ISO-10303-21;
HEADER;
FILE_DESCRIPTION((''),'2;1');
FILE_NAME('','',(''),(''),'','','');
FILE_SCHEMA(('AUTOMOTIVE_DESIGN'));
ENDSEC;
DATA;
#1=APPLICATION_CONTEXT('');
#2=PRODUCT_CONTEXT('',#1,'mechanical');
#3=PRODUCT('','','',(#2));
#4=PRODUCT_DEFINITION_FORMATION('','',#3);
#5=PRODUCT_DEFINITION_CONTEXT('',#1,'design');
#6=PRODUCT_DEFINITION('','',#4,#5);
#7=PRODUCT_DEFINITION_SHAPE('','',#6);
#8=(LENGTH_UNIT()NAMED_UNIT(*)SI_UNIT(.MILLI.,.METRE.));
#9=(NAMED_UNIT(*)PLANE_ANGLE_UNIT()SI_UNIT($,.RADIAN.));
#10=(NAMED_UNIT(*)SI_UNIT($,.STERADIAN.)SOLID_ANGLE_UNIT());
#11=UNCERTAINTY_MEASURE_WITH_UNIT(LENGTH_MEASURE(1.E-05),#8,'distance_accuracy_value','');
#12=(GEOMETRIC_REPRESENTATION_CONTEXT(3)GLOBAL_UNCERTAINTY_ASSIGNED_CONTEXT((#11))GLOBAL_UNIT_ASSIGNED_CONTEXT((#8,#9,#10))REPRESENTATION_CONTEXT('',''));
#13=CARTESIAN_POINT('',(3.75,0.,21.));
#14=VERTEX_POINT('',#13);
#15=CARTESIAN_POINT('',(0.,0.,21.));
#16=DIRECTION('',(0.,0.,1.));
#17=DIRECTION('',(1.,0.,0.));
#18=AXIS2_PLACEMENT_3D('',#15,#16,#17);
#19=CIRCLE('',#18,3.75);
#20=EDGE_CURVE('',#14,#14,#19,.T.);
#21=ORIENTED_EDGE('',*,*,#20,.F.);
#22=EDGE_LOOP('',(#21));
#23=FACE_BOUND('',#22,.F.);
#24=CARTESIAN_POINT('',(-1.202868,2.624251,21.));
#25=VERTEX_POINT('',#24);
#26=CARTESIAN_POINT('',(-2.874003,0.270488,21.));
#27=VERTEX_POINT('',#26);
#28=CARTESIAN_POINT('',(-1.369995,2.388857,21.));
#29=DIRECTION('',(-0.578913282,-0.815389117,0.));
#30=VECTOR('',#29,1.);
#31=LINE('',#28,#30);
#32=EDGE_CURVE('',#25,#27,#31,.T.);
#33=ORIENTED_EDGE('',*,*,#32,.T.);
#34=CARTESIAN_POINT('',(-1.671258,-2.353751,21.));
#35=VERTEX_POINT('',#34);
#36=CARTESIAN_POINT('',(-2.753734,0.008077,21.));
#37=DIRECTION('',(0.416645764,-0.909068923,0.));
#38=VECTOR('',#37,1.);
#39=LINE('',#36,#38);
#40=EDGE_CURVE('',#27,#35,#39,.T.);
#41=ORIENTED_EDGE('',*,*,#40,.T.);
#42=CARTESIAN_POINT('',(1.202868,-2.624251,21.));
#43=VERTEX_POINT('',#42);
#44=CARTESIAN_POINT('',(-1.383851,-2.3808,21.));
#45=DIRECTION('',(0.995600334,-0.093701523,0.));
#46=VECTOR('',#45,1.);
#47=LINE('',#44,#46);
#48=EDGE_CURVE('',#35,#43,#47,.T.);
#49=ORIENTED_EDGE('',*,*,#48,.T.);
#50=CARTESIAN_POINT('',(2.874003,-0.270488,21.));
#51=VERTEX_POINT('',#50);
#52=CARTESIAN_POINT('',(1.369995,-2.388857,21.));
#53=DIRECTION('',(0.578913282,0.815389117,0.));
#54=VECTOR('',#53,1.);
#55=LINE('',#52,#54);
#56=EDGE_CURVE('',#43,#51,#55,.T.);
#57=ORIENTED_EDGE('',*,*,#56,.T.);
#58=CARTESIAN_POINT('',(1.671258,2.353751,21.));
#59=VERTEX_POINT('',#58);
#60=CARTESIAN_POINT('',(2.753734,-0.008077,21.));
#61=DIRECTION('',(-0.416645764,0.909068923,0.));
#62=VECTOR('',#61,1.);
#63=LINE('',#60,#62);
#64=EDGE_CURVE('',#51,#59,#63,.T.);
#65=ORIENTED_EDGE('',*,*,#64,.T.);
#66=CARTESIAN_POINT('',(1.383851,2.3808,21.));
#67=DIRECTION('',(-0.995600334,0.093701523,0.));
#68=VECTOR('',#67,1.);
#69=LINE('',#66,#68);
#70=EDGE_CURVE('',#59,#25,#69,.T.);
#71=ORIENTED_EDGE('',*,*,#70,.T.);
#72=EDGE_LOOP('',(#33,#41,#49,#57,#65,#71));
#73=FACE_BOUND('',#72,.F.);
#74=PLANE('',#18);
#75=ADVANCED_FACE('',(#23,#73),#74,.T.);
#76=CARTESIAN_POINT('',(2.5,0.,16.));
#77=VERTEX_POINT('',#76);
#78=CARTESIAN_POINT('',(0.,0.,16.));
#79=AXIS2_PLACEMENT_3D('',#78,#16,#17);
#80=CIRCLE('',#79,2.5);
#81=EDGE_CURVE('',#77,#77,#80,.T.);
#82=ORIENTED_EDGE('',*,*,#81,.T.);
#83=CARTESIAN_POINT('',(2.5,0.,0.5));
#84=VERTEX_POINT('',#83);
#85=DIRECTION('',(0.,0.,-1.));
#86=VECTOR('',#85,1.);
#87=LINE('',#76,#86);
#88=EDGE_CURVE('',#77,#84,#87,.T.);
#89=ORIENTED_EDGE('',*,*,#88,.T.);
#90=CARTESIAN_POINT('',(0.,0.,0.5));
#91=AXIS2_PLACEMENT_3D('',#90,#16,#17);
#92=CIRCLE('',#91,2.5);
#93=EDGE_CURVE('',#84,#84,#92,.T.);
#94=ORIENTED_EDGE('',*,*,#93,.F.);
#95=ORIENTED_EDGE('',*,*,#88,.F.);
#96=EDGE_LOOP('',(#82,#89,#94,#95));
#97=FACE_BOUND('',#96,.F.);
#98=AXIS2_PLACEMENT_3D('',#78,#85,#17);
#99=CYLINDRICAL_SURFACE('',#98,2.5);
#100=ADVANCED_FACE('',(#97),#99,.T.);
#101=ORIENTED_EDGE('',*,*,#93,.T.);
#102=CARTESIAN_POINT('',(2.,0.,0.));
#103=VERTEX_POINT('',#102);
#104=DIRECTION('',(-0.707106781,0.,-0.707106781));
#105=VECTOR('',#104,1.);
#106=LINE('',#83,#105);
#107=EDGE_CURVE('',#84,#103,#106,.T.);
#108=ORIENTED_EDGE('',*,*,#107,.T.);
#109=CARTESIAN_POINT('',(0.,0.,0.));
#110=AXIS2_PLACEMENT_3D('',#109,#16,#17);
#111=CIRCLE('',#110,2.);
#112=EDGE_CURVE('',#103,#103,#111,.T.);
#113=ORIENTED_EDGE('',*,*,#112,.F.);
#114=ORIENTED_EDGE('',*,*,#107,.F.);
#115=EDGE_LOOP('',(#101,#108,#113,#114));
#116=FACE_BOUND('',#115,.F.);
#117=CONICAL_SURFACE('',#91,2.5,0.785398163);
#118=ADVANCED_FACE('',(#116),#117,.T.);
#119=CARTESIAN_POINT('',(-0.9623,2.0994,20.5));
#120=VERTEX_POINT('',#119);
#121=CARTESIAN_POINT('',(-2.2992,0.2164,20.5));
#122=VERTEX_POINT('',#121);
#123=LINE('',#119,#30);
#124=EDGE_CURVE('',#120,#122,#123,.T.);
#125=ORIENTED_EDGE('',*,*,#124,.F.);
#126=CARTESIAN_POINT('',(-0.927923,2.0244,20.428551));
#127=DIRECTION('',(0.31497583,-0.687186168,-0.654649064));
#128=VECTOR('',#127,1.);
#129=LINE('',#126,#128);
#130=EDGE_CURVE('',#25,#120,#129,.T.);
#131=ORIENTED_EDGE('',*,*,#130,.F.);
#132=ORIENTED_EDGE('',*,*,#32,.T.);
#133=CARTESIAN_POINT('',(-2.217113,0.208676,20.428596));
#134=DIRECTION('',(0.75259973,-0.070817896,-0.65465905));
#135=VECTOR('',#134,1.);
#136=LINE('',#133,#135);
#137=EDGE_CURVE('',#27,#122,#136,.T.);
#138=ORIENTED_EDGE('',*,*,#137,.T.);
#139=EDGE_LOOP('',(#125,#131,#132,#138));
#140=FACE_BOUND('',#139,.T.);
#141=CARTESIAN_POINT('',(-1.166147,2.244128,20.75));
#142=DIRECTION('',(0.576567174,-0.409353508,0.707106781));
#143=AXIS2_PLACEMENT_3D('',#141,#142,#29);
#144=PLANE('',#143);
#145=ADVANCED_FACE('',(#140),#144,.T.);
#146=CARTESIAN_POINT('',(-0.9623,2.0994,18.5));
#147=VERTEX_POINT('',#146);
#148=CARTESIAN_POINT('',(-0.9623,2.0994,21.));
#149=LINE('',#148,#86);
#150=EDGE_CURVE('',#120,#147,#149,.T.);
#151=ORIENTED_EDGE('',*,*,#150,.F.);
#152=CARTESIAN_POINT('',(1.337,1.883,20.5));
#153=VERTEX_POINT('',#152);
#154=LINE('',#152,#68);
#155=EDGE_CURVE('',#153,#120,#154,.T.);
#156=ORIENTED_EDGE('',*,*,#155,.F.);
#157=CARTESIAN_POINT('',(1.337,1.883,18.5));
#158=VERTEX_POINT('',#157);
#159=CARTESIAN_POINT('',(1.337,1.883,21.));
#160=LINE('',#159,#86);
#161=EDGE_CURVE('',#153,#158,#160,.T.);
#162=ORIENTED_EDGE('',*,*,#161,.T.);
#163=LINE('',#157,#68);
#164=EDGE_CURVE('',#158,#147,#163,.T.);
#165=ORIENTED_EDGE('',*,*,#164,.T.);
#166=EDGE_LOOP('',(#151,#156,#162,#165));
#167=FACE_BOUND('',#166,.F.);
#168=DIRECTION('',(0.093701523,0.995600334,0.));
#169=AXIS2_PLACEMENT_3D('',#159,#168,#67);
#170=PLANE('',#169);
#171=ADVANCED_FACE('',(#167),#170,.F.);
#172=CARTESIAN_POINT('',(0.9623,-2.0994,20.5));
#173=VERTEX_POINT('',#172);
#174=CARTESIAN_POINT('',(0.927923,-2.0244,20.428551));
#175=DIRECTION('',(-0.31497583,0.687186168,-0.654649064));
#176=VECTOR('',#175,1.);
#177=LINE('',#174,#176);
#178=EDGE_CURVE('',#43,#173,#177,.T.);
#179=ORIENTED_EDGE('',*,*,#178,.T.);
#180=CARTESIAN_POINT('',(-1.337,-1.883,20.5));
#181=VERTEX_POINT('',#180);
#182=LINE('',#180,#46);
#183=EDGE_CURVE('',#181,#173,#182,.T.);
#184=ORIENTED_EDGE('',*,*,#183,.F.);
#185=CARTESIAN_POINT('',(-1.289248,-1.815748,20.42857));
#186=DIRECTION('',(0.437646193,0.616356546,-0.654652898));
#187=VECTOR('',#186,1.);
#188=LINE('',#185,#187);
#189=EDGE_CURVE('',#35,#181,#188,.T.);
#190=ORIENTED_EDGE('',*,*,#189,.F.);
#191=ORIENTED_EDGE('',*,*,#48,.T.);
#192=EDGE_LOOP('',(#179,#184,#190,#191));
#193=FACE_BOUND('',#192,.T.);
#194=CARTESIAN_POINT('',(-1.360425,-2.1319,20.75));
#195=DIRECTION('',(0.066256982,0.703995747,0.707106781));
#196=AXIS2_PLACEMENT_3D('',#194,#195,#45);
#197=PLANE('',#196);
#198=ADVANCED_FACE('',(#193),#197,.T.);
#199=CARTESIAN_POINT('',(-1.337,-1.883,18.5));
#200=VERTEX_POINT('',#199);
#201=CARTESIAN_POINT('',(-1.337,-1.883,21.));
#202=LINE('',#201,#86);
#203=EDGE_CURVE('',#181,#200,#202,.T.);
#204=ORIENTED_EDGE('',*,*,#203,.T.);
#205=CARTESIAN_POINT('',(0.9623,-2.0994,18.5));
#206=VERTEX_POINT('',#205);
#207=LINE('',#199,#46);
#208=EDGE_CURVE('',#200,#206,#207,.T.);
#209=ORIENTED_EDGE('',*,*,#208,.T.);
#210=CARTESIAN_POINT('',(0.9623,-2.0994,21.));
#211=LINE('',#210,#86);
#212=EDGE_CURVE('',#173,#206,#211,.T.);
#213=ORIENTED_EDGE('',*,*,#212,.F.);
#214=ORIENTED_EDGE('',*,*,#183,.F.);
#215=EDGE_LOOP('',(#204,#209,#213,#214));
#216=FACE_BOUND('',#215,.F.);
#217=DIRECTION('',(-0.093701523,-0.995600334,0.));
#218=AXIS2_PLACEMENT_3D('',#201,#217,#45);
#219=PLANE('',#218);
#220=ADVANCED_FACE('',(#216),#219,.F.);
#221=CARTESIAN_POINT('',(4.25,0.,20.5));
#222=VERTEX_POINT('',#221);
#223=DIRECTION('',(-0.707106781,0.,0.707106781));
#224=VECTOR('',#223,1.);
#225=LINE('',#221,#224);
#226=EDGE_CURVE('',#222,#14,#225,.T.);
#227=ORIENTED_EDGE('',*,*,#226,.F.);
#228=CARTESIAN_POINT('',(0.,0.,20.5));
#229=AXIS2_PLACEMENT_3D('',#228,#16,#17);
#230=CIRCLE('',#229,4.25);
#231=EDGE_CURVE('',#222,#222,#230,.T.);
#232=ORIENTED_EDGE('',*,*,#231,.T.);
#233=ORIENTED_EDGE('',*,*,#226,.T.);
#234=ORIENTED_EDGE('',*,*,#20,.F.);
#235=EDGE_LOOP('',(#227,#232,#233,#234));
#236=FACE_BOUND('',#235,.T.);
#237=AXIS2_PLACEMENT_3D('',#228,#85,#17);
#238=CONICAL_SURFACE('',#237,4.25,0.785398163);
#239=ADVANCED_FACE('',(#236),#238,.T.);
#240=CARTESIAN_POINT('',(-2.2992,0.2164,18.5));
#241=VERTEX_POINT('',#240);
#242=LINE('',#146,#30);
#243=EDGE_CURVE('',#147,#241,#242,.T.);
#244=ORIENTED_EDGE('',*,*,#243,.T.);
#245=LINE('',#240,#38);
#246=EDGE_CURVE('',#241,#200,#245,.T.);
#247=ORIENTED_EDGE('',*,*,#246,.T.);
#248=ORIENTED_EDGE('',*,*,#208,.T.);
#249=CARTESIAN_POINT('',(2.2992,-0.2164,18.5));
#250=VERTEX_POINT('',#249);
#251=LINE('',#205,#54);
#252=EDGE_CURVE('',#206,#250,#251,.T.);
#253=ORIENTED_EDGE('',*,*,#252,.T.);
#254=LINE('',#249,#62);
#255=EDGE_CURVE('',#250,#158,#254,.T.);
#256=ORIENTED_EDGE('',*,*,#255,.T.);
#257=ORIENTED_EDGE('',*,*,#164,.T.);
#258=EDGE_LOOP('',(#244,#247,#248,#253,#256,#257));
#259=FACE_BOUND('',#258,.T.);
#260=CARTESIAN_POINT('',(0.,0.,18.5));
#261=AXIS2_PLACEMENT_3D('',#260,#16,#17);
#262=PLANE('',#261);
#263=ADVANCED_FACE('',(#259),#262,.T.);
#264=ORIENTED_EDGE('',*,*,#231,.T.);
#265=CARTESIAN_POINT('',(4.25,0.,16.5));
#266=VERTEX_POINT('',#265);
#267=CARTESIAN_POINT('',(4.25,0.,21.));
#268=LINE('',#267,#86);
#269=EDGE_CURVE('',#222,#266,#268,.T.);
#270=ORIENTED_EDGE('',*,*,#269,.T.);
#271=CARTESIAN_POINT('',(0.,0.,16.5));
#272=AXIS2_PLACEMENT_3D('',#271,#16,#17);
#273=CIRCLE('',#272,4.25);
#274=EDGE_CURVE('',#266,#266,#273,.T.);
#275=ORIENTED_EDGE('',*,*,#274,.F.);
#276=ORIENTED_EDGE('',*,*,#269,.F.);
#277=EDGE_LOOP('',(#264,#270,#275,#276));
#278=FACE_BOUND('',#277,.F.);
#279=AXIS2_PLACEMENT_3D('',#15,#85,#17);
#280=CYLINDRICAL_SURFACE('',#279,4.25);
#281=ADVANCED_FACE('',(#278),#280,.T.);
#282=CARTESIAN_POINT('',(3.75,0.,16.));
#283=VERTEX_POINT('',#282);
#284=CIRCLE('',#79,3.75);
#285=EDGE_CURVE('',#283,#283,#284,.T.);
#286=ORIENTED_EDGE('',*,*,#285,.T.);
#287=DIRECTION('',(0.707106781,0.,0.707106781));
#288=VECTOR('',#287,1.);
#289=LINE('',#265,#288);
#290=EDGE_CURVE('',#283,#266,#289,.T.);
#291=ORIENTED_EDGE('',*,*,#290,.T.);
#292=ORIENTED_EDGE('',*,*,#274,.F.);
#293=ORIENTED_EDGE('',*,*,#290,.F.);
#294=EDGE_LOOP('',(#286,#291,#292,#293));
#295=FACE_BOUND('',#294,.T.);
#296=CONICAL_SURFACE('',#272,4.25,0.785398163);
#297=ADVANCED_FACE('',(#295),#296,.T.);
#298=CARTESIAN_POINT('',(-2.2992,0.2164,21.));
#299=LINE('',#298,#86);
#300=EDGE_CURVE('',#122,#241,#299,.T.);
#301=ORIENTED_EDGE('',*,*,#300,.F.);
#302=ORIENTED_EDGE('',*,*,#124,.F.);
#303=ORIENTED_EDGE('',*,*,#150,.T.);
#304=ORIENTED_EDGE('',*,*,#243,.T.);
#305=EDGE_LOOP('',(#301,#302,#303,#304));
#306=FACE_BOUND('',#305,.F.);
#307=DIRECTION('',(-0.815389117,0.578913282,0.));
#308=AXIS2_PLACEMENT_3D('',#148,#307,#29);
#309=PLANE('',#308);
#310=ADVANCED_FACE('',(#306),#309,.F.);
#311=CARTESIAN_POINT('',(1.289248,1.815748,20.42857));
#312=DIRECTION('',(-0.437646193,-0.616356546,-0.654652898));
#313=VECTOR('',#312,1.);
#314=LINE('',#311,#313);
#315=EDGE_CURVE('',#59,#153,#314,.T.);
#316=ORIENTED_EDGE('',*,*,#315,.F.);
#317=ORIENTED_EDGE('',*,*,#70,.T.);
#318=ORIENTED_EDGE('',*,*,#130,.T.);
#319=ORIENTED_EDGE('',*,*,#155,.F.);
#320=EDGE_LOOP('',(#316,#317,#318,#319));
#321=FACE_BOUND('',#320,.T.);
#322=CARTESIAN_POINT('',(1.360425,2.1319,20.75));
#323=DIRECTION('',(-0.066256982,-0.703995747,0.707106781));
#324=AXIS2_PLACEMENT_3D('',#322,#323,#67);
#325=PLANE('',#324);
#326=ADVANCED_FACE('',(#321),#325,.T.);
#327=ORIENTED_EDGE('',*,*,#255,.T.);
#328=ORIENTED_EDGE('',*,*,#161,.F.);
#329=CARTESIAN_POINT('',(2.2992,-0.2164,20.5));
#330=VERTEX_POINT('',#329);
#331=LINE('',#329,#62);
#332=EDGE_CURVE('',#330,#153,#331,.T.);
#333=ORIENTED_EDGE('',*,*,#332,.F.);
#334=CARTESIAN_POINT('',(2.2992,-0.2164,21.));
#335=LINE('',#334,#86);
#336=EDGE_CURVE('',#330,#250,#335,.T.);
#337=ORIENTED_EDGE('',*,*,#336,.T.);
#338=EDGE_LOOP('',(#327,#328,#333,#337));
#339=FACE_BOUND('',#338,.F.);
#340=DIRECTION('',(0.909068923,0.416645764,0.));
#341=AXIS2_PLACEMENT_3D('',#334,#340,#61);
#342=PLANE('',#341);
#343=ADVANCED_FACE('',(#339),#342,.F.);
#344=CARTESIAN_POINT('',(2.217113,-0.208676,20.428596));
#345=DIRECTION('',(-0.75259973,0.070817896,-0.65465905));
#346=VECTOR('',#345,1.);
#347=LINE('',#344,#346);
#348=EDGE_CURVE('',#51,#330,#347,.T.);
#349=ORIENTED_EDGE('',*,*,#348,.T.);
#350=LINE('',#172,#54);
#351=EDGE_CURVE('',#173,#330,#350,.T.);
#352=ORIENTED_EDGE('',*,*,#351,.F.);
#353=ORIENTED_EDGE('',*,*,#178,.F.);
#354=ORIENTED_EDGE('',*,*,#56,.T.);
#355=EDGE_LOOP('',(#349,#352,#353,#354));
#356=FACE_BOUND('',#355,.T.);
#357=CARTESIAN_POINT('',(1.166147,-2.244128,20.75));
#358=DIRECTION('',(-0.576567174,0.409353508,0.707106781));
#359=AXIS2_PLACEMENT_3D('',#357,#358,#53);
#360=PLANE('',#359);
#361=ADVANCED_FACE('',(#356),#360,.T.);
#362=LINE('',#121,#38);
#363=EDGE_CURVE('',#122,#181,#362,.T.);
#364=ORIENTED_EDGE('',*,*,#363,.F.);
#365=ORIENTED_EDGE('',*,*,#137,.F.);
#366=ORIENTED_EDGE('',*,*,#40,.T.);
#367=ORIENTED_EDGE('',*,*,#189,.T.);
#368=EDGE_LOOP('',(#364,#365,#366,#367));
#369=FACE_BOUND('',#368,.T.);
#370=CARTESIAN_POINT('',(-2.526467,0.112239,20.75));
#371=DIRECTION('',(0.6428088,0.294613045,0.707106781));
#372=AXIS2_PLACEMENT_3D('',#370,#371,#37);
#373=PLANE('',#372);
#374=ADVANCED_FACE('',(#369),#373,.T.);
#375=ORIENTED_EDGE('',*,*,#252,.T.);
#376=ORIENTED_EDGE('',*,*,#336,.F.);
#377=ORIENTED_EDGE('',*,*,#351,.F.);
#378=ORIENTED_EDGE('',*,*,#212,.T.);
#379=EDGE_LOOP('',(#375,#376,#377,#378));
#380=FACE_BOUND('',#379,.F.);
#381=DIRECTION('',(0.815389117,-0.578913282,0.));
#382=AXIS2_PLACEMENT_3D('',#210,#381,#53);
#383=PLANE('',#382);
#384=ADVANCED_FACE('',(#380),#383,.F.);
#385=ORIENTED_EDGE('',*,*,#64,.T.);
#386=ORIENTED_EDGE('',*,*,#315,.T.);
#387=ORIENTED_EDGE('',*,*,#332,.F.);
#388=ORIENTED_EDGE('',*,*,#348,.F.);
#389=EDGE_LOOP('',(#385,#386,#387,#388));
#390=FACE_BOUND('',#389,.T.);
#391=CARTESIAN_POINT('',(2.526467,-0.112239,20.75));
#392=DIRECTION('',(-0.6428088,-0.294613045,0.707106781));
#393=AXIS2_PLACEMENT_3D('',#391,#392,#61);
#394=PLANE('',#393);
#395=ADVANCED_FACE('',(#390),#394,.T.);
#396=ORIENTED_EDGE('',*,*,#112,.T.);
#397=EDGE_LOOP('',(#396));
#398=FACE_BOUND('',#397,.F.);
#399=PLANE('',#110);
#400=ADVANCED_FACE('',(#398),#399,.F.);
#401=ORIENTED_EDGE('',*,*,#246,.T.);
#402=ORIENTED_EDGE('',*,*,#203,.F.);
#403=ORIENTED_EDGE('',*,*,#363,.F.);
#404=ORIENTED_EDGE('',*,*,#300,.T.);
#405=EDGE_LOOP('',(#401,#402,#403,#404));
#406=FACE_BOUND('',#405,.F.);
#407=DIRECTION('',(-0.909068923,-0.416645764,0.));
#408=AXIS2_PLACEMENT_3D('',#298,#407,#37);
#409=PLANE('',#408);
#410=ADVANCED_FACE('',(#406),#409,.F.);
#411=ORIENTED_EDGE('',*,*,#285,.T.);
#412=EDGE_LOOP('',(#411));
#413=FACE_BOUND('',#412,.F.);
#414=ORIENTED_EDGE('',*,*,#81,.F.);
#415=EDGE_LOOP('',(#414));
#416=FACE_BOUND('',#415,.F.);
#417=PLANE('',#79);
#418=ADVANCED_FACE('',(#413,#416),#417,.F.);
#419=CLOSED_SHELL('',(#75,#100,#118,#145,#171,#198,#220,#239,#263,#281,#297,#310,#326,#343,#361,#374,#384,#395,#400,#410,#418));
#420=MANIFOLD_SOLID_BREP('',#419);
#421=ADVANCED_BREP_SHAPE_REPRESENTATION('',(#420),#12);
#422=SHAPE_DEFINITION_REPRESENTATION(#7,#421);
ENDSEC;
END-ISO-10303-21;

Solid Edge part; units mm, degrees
sketch "Sketch1" plane through (0, 0, 0) normal (0, -1, 0) x (1, 0, 0)
  line L0 (2.5, 16) -> (2.5, 0)
  line L1 (2.5, 0) -> (0, 0)
  line L2 (0, 0) -> (0, 21)
  line L3 (0, 21) -> (4.25, 21)
  line L4 (4.25, 21) -> (4.25, 16)
  line L5 (4.25, 16) -> (2.5, 16)
revolve "RevolvedProtrusion1" add sketch "Sketch1" angle 360 about axis through (0, 0, 0) along (0, 0, 1)
sketch "Sketch2" plane through (0, 0, 21) normal (0, 0, 1) x (1, 0, 0)
  line L0 (0.9623, -2.0994) -> (2.2992, -0.2164)
  line L1 (2.2992, -0.2164) -> (1.337, 1.883)
  line L2 (1.337, 1.883) -> (-0.9623, 2.0994)
  line L3 (-0.9623, 2.0994) -> (-2.2992, 0.2164)
  line L4 (-2.2992, 0.2164) -> (-1.337, -1.883)
  line L5 (-1.337, -1.883) -> (0.9623, -2.0994)
extrude "Cutout1" cut sketch "Sketch2" against normal blind 2.5
cosmetic_thread "Thread1" size "M5"
chamfer "Chamfer1" distance 0.5 angle 45 9 edges at (-4.25, 0, 16) (-4.25, 0, 21) (-2.5, 0, 0) (1.8181, 0.8333, 21) (0.1874, 1.9912, 21) (-1.6307, 1.1579, 21) (-1.8181, -0.8333, 21) (-0.1874, -1.9912, 21) (1.6307, -1.1579, 21)
properties material "Stainless steel"
